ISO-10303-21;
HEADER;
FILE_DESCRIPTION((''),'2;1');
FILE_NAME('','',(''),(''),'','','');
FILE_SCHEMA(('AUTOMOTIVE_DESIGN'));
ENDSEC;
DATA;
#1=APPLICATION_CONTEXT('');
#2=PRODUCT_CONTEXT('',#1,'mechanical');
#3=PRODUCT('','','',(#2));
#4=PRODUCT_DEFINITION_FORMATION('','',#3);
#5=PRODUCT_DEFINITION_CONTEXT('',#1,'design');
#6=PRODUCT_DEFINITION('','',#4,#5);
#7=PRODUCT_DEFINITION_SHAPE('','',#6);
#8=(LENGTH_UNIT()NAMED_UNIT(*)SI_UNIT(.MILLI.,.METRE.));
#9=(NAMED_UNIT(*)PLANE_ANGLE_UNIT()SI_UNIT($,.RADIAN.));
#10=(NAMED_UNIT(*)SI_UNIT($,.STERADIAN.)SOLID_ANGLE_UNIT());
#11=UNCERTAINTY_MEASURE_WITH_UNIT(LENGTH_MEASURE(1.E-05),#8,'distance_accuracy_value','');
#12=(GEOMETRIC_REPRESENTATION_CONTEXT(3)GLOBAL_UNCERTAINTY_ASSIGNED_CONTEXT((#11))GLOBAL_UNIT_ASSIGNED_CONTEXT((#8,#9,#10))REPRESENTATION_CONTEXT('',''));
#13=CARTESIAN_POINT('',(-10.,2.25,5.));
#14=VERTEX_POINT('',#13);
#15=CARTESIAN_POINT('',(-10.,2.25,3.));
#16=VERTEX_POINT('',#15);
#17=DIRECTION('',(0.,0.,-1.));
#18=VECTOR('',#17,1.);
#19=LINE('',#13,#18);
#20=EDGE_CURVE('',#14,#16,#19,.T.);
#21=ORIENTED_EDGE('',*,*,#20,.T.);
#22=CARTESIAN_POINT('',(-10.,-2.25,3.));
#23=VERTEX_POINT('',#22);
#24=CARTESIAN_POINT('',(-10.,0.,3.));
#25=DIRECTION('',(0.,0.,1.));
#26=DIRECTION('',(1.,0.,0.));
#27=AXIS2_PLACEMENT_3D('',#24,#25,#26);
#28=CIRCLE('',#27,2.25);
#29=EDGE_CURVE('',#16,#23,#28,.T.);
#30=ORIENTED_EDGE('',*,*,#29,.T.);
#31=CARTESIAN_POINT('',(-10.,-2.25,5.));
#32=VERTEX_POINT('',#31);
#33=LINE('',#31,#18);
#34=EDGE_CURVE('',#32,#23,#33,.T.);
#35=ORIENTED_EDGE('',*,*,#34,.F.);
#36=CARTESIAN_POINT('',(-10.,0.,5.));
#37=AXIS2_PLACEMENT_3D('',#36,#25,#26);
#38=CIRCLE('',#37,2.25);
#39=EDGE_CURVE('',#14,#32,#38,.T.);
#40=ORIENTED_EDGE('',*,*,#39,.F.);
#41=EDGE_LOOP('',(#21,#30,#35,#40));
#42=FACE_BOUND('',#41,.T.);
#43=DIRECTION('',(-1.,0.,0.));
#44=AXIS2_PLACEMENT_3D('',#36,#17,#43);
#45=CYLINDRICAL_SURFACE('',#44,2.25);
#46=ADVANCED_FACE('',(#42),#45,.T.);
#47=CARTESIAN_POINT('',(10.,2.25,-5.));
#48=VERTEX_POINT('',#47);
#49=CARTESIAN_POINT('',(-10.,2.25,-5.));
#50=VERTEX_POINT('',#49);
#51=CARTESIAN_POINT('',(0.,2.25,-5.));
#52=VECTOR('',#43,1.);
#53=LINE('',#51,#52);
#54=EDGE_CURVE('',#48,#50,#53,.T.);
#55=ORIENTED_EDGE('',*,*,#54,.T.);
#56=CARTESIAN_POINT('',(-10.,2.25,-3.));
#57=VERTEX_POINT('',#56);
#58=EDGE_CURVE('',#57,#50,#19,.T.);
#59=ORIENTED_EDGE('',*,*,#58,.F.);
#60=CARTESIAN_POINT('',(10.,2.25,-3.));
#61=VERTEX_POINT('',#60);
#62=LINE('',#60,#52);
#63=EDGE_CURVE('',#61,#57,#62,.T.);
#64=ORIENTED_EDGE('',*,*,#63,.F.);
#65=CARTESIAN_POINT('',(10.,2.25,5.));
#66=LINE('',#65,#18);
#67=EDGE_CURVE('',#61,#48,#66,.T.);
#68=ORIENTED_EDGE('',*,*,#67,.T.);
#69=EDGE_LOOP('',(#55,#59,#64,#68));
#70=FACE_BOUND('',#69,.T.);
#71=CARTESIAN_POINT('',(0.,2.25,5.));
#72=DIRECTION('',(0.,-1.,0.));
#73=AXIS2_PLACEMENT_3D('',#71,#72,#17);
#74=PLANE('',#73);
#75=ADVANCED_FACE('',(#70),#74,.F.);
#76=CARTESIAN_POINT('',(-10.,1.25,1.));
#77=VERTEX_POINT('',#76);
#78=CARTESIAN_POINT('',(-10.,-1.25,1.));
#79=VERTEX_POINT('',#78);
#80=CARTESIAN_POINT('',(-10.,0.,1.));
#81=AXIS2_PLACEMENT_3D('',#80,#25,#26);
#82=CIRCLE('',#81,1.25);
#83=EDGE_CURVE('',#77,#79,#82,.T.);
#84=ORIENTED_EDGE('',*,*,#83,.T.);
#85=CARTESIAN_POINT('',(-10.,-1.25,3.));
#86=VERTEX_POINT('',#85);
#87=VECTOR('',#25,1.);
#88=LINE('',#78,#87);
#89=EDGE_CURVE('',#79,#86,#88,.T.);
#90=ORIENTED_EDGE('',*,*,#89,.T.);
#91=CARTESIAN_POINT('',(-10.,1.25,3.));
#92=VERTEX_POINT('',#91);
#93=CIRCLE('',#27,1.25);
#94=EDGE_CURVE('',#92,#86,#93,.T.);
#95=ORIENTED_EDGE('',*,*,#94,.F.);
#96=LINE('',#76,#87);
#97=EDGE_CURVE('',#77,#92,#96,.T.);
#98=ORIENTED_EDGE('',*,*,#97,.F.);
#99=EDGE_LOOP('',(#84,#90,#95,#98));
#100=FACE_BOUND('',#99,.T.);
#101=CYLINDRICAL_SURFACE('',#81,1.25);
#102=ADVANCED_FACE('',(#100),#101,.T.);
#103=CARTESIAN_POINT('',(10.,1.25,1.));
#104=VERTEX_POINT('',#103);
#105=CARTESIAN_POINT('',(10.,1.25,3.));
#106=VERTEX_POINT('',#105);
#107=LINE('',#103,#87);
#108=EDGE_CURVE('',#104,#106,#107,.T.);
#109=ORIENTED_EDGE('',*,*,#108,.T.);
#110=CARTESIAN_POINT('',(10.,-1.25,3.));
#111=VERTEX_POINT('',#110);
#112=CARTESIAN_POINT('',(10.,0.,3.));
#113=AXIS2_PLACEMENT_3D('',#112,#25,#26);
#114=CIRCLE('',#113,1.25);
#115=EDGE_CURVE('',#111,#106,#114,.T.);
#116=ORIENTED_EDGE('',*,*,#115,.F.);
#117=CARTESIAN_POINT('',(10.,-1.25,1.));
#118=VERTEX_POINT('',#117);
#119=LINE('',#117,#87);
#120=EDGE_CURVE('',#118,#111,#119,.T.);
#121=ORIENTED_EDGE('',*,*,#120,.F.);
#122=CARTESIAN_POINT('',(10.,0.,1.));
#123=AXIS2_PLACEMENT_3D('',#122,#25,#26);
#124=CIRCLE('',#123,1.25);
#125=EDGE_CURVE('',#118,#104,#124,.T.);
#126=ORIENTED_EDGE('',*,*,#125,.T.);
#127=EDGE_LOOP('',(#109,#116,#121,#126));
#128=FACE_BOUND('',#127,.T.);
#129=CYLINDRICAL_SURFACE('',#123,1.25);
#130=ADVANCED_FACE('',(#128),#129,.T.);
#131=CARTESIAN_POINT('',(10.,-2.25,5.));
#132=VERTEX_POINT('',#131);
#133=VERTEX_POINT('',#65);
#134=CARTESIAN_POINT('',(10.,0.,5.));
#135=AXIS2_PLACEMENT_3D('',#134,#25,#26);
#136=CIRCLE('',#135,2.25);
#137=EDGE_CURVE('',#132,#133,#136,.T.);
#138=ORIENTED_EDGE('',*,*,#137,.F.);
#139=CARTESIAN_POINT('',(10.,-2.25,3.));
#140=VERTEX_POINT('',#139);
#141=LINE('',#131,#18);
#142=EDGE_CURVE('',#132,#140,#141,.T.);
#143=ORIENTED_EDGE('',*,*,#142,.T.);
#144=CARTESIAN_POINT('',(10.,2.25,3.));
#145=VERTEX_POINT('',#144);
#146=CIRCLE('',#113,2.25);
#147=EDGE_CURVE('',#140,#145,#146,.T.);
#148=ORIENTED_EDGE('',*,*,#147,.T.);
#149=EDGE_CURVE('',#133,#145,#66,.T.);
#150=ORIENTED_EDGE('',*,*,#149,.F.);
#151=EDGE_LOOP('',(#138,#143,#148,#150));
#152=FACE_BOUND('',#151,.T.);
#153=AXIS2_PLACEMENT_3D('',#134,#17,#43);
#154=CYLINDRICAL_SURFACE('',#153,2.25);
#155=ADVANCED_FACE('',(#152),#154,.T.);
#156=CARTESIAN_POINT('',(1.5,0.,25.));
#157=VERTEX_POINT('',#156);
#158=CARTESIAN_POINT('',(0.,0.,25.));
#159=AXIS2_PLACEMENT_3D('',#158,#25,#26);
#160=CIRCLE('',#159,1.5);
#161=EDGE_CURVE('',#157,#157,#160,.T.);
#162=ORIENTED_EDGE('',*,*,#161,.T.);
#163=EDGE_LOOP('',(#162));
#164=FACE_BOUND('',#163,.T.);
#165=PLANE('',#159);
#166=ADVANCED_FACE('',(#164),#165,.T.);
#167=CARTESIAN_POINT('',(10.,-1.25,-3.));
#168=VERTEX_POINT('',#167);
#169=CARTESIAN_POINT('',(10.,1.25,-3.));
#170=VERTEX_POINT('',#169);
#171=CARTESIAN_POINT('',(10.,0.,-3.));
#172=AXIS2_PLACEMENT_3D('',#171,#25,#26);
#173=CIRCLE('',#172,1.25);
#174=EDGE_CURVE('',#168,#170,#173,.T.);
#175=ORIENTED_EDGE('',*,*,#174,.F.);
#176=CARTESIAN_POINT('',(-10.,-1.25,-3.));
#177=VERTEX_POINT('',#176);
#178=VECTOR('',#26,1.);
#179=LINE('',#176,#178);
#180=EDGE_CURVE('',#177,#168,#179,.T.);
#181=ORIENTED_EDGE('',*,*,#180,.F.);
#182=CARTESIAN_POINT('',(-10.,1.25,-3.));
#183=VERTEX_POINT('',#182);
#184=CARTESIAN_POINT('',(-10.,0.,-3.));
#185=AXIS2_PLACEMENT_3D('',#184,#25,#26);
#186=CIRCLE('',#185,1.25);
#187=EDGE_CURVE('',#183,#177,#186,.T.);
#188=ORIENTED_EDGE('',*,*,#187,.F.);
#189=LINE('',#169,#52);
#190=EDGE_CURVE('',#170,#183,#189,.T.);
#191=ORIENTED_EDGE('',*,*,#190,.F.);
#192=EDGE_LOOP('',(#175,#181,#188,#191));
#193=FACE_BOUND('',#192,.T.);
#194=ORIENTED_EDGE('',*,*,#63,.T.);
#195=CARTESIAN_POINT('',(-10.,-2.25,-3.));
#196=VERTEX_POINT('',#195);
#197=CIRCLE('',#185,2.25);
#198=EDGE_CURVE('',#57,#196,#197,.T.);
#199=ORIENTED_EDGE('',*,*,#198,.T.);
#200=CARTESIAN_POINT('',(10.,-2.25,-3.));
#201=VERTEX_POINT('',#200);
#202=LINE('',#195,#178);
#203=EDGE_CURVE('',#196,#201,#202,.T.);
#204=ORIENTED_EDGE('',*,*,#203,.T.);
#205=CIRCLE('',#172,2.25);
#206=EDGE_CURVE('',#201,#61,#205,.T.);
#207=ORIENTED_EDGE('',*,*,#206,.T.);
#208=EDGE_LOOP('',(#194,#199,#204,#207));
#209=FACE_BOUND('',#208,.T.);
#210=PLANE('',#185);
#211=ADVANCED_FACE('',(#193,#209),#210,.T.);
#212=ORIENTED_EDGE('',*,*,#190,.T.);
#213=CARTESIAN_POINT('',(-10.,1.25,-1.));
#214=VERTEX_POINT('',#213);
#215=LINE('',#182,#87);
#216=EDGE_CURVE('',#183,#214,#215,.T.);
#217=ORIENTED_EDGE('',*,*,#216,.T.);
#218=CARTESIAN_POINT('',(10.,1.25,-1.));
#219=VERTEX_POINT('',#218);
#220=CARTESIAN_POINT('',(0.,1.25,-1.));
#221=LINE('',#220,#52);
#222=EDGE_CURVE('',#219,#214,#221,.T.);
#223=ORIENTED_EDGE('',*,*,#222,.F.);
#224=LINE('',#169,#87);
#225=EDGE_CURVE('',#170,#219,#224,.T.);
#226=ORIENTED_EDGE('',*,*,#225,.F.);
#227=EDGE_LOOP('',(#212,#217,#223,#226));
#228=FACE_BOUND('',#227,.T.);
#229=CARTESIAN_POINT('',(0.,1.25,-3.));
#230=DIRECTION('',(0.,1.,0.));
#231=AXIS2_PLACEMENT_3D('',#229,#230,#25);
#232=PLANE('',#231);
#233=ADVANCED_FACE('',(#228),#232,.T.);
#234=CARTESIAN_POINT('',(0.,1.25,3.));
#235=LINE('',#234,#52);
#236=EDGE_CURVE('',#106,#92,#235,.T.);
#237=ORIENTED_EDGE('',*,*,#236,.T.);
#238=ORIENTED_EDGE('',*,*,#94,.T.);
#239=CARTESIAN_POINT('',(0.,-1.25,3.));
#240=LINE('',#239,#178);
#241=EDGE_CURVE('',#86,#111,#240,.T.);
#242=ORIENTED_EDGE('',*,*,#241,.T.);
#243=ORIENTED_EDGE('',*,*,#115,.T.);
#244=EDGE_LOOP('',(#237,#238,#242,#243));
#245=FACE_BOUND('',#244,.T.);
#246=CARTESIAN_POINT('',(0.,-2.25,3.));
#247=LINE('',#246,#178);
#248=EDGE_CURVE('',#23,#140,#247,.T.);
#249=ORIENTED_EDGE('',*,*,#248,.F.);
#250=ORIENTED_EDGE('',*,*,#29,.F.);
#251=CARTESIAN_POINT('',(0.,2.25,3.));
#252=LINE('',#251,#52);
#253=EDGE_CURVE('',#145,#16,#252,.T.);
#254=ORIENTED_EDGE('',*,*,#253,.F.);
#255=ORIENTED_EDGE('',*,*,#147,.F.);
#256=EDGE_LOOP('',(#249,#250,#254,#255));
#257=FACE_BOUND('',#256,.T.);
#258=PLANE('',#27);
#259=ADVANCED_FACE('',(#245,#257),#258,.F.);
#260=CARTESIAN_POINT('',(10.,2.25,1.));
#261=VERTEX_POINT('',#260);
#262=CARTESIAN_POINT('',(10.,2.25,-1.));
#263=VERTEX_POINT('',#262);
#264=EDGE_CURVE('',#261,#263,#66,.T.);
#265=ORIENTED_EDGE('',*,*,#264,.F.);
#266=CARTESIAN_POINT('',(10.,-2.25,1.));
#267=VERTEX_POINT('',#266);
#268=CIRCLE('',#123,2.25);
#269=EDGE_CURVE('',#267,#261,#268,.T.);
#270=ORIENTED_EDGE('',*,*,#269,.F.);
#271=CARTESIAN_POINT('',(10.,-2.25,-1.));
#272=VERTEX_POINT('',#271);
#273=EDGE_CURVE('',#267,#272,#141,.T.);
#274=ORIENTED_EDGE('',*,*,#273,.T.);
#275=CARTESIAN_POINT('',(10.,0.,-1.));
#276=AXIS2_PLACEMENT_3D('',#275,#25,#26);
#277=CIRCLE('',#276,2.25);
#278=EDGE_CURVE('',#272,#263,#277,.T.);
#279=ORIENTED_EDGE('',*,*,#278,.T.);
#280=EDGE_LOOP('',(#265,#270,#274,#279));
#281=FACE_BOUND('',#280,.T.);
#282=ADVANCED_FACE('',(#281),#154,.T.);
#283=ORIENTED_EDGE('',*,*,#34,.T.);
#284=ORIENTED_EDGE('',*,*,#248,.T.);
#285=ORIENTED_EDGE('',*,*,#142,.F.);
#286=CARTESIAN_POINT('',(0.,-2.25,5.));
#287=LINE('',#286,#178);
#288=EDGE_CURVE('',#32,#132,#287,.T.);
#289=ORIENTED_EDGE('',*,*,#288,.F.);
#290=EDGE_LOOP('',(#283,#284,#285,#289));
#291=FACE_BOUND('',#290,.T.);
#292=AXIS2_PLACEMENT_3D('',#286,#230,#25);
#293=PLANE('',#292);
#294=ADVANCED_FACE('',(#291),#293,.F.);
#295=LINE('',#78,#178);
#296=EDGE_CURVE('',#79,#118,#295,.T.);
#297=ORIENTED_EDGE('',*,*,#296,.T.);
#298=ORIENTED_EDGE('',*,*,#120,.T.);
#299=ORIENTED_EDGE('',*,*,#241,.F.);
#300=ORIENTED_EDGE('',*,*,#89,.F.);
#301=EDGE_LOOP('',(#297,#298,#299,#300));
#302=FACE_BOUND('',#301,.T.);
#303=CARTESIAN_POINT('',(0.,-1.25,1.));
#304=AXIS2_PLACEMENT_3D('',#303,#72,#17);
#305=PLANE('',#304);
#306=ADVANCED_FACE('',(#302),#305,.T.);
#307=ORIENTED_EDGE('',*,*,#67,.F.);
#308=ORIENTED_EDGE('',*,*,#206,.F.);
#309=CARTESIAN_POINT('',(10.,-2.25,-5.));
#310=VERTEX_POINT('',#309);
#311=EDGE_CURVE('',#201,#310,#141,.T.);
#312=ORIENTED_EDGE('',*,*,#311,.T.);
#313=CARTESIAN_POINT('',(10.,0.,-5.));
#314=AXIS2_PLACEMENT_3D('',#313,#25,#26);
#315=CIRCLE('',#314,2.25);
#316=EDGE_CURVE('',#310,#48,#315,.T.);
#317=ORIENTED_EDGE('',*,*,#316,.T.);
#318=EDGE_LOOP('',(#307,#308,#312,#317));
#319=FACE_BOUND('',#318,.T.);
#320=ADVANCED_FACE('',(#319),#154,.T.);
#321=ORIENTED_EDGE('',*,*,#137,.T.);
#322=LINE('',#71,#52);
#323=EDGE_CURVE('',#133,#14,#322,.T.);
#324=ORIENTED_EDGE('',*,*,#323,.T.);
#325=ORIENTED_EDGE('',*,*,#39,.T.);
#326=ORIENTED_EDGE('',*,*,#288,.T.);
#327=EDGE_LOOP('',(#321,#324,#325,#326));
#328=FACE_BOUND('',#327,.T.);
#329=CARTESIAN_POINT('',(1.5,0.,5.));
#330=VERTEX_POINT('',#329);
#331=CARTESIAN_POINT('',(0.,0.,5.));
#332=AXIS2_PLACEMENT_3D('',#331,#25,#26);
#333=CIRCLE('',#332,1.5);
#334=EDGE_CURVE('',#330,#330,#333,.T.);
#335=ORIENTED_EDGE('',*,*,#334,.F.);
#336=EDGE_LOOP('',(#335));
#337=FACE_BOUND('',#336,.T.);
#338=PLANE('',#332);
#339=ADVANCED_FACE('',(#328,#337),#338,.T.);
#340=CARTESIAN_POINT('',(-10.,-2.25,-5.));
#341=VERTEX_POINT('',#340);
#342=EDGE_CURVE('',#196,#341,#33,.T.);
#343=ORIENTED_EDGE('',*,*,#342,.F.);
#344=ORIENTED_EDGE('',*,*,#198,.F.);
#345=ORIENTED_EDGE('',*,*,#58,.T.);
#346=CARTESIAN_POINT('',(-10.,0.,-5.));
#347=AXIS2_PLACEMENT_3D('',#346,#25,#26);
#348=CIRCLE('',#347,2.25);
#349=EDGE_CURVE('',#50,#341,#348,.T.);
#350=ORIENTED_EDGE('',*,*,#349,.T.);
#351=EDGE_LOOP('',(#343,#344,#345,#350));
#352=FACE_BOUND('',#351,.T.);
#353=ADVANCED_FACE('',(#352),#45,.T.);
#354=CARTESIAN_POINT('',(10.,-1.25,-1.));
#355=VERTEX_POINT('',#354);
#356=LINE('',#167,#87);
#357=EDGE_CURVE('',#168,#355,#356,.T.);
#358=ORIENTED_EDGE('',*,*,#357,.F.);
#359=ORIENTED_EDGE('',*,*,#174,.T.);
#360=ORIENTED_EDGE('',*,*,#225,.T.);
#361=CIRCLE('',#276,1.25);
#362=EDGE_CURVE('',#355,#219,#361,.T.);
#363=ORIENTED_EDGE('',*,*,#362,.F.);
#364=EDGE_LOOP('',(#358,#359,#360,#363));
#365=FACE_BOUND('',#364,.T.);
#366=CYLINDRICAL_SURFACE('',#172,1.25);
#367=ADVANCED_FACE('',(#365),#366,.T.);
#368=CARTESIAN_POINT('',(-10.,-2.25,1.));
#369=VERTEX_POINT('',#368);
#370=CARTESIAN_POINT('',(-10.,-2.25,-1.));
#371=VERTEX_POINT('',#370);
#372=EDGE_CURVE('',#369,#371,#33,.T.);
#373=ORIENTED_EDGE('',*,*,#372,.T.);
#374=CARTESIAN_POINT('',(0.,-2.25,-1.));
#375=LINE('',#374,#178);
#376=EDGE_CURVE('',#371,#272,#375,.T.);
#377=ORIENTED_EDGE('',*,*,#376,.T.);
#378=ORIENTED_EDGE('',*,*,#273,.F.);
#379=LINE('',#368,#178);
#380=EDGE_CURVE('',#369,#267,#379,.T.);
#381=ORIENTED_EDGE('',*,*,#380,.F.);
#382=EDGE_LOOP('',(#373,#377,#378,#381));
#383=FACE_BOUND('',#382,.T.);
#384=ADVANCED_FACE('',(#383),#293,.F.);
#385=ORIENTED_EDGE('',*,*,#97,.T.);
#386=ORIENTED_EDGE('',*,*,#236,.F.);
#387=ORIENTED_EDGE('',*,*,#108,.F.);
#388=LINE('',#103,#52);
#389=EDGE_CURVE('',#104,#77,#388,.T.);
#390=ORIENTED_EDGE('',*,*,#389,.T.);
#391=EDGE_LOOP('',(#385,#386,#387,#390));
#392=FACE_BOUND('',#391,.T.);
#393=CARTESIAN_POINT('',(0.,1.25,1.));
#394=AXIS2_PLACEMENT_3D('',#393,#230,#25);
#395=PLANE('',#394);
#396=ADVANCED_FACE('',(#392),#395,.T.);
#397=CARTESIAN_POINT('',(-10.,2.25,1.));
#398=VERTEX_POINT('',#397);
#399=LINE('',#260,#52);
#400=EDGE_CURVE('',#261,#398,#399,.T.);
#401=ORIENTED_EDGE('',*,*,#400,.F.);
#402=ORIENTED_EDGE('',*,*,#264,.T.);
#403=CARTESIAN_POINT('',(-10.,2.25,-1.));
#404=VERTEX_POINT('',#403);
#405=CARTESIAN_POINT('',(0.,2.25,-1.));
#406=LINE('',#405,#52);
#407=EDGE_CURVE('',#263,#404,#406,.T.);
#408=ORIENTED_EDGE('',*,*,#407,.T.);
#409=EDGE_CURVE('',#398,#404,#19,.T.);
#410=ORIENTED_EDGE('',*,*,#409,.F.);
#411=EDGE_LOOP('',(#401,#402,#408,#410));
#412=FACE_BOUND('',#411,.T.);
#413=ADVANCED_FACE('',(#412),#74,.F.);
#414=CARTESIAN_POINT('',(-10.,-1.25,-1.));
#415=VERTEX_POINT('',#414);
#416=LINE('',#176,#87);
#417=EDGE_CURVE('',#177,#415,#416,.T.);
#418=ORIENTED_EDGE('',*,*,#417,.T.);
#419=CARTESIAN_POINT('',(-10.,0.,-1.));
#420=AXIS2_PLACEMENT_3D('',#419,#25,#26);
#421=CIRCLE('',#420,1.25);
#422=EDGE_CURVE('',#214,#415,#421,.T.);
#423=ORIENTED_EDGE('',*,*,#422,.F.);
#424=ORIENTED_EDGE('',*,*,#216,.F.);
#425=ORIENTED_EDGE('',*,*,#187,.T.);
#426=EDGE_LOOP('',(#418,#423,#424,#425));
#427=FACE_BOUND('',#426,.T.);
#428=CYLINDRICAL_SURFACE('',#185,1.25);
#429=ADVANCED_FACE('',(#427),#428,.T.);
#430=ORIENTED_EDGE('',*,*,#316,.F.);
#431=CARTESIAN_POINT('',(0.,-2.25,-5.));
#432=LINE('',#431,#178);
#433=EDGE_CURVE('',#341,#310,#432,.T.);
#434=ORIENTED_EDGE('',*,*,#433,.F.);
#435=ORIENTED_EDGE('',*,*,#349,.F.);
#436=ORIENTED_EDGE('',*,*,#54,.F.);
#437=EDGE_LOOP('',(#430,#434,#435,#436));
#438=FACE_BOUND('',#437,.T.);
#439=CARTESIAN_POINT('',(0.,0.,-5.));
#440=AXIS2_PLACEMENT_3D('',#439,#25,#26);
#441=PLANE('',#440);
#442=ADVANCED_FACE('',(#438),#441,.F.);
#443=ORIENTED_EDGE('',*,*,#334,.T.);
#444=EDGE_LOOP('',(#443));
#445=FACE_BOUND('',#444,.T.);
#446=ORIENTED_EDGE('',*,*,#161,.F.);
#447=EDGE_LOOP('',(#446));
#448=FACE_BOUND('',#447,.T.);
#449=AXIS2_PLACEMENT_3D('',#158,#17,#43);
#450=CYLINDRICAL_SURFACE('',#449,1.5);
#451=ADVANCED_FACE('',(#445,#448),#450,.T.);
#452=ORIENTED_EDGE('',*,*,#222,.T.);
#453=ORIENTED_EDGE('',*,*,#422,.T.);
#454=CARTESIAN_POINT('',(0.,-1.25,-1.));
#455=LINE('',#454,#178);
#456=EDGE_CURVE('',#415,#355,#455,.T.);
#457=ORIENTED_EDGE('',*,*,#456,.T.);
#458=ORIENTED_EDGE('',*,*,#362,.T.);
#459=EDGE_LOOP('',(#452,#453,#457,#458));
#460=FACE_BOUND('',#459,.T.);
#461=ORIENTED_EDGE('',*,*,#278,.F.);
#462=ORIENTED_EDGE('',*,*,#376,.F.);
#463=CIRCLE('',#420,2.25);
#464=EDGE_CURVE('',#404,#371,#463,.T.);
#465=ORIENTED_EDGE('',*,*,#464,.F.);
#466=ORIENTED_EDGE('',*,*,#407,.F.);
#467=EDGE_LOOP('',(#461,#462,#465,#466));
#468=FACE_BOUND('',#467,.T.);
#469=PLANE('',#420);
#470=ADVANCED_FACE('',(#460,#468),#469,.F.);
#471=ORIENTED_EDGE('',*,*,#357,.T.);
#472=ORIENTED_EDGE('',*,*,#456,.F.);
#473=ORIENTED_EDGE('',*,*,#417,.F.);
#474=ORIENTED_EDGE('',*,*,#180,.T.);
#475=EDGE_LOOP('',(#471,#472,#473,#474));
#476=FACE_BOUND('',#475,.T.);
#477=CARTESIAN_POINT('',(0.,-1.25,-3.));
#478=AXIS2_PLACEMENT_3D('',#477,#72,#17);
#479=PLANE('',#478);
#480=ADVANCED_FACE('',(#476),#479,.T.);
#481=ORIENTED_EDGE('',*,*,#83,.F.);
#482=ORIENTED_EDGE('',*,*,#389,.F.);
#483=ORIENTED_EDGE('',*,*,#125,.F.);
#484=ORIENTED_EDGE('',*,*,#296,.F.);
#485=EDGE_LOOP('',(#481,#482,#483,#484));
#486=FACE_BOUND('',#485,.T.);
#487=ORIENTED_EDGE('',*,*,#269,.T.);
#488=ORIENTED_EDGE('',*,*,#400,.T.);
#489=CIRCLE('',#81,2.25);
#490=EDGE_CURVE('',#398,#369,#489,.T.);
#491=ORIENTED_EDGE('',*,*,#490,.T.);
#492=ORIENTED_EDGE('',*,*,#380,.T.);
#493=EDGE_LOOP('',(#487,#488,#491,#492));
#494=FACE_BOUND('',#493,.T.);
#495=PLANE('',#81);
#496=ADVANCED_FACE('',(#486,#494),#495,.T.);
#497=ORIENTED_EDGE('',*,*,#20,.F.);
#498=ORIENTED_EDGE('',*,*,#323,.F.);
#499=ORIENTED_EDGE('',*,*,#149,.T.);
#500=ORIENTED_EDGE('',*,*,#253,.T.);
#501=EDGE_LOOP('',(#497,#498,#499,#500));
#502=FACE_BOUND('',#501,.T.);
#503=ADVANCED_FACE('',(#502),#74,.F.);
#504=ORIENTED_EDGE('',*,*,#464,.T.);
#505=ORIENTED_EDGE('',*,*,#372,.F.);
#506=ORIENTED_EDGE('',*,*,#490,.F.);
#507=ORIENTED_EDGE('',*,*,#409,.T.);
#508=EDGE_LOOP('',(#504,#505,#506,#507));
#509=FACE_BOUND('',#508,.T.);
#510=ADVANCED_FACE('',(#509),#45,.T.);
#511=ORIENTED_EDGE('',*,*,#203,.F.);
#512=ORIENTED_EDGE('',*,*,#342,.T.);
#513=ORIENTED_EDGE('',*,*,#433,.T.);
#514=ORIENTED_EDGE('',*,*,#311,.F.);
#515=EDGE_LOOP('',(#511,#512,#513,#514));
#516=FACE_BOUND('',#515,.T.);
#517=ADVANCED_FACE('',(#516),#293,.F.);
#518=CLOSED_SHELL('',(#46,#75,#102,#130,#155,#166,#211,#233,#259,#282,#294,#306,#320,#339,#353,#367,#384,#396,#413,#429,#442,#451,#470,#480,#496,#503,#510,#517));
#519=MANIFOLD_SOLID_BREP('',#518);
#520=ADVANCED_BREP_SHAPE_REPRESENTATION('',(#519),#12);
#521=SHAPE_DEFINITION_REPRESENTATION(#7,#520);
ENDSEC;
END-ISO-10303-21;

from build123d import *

# Parameters (mm, degrees)
BOSS_EXTRUDE1_DEPTH = 5
SKETCH4_R           = 1.5
BOSS_EXTRUDE3_DEPTH = 20
CUT_EXTRUDE2_START  = 2
CUT_EXTRUDE2_DEPTH  = 1
CUT_EXTRUDE4_START  = -2
CUT_EXTRUDE4_DEPTH  = 1


with BuildPart() as part:
    # Sketch1 → Boss-Extrude1 (new, symmetric)
    with BuildSketch(Plane.XY):
        with BuildLine():
            Line((10, 2.25), (-10, 2.25))
            ThreePointArc((-10, 2.25), (-12.25, 0), (-10, -2.25))
            Line((-10, -2.25), (10, -2.25))
            ThreePointArc((10, -2.25), (12.25, 0), (10, 2.25))
        make_face()
    extrude(amount=BOSS_EXTRUDE1_DEPTH, both=True)

    # Sketch4 → Boss-Extrude3 (add)
    with BuildSketch(Plane.XY.offset(5)):
        Circle(SKETCH4_R)
    extrude(amount=BOSS_EXTRUDE3_DEPTH)

    # Sketch1<4> → Cut-Extrude2 (cut, symmetric)
    with BuildSketch(Plane.XY.offset(CUT_EXTRUDE2_START)):
        with BuildLine():
            Line((0, 2.25), (-10, 2.25))
            ThreePointArc((-10, 2.25), (-12.25, 0), (-10, -2.25))
            Line((-10, -2.25), (0, -2.25))
            Line((0, -2.25), (10, -2.25))
            ThreePointArc((10, -2.25), (12.25, 0), (10, 2.25))
            Line((10, 2.25), (0, 2.25))
        make_face()
        with BuildLine():
            Line((0, 1.25), (-10, 1.25))
            ThreePointArc((-10, 1.25), (-11.25, 0), (-10, -1.25))
            Line((-10, -1.25), (0, -1.25))
            Line((0, -1.25), (10, -1.25))
            ThreePointArc((10, -1.25), (11.25, 0), (10, 1.25))
            Line((10, 1.25), (0, 1.25))
        make_face(mode=Mode.SUBTRACT)
    extrude(amount=CUT_EXTRUDE2_DEPTH, both=True, mode=Mode.SUBTRACT)

    # Sketch1<6> → Cut-Extrude4 (cut, symmetric)
    with BuildSketch(Plane.XY.offset(CUT_EXTRUDE4_START)):
        with BuildLine():
            Line((0, 2.25), (-10, 2.25))
            ThreePointArc((-10, 2.25), (-12.25, 0), (-10, -2.25))
            Line((-10, -2.25), (0, -2.25))
            Line((0, -2.25), (10, -2.25))
            ThreePointArc((10, -2.25), (12.25, 0), (10, 2.25))
            Line((10, 2.25), (0, 2.25))
        make_face()
        with BuildLine():
            Line((0, 1.25), (-10, 1.25))
            ThreePointArc((-10, 1.25), (-11.25, 0), (-10, -1.25))
            Line((-10, -1.25), (0, -1.25))
            Line((0, -1.25), (10, -1.25))
            ThreePointArc((10, -1.25), (11.25, 0), (10, 1.25))
            Line((10, 1.25), (0, 1.25))
        make_face(mode=Mode.SUBTRACT)
    extrude(amount=CUT_EXTRUDE4_DEPTH, both=True, mode=Mode.SUBTRACT)


solid = part.part
